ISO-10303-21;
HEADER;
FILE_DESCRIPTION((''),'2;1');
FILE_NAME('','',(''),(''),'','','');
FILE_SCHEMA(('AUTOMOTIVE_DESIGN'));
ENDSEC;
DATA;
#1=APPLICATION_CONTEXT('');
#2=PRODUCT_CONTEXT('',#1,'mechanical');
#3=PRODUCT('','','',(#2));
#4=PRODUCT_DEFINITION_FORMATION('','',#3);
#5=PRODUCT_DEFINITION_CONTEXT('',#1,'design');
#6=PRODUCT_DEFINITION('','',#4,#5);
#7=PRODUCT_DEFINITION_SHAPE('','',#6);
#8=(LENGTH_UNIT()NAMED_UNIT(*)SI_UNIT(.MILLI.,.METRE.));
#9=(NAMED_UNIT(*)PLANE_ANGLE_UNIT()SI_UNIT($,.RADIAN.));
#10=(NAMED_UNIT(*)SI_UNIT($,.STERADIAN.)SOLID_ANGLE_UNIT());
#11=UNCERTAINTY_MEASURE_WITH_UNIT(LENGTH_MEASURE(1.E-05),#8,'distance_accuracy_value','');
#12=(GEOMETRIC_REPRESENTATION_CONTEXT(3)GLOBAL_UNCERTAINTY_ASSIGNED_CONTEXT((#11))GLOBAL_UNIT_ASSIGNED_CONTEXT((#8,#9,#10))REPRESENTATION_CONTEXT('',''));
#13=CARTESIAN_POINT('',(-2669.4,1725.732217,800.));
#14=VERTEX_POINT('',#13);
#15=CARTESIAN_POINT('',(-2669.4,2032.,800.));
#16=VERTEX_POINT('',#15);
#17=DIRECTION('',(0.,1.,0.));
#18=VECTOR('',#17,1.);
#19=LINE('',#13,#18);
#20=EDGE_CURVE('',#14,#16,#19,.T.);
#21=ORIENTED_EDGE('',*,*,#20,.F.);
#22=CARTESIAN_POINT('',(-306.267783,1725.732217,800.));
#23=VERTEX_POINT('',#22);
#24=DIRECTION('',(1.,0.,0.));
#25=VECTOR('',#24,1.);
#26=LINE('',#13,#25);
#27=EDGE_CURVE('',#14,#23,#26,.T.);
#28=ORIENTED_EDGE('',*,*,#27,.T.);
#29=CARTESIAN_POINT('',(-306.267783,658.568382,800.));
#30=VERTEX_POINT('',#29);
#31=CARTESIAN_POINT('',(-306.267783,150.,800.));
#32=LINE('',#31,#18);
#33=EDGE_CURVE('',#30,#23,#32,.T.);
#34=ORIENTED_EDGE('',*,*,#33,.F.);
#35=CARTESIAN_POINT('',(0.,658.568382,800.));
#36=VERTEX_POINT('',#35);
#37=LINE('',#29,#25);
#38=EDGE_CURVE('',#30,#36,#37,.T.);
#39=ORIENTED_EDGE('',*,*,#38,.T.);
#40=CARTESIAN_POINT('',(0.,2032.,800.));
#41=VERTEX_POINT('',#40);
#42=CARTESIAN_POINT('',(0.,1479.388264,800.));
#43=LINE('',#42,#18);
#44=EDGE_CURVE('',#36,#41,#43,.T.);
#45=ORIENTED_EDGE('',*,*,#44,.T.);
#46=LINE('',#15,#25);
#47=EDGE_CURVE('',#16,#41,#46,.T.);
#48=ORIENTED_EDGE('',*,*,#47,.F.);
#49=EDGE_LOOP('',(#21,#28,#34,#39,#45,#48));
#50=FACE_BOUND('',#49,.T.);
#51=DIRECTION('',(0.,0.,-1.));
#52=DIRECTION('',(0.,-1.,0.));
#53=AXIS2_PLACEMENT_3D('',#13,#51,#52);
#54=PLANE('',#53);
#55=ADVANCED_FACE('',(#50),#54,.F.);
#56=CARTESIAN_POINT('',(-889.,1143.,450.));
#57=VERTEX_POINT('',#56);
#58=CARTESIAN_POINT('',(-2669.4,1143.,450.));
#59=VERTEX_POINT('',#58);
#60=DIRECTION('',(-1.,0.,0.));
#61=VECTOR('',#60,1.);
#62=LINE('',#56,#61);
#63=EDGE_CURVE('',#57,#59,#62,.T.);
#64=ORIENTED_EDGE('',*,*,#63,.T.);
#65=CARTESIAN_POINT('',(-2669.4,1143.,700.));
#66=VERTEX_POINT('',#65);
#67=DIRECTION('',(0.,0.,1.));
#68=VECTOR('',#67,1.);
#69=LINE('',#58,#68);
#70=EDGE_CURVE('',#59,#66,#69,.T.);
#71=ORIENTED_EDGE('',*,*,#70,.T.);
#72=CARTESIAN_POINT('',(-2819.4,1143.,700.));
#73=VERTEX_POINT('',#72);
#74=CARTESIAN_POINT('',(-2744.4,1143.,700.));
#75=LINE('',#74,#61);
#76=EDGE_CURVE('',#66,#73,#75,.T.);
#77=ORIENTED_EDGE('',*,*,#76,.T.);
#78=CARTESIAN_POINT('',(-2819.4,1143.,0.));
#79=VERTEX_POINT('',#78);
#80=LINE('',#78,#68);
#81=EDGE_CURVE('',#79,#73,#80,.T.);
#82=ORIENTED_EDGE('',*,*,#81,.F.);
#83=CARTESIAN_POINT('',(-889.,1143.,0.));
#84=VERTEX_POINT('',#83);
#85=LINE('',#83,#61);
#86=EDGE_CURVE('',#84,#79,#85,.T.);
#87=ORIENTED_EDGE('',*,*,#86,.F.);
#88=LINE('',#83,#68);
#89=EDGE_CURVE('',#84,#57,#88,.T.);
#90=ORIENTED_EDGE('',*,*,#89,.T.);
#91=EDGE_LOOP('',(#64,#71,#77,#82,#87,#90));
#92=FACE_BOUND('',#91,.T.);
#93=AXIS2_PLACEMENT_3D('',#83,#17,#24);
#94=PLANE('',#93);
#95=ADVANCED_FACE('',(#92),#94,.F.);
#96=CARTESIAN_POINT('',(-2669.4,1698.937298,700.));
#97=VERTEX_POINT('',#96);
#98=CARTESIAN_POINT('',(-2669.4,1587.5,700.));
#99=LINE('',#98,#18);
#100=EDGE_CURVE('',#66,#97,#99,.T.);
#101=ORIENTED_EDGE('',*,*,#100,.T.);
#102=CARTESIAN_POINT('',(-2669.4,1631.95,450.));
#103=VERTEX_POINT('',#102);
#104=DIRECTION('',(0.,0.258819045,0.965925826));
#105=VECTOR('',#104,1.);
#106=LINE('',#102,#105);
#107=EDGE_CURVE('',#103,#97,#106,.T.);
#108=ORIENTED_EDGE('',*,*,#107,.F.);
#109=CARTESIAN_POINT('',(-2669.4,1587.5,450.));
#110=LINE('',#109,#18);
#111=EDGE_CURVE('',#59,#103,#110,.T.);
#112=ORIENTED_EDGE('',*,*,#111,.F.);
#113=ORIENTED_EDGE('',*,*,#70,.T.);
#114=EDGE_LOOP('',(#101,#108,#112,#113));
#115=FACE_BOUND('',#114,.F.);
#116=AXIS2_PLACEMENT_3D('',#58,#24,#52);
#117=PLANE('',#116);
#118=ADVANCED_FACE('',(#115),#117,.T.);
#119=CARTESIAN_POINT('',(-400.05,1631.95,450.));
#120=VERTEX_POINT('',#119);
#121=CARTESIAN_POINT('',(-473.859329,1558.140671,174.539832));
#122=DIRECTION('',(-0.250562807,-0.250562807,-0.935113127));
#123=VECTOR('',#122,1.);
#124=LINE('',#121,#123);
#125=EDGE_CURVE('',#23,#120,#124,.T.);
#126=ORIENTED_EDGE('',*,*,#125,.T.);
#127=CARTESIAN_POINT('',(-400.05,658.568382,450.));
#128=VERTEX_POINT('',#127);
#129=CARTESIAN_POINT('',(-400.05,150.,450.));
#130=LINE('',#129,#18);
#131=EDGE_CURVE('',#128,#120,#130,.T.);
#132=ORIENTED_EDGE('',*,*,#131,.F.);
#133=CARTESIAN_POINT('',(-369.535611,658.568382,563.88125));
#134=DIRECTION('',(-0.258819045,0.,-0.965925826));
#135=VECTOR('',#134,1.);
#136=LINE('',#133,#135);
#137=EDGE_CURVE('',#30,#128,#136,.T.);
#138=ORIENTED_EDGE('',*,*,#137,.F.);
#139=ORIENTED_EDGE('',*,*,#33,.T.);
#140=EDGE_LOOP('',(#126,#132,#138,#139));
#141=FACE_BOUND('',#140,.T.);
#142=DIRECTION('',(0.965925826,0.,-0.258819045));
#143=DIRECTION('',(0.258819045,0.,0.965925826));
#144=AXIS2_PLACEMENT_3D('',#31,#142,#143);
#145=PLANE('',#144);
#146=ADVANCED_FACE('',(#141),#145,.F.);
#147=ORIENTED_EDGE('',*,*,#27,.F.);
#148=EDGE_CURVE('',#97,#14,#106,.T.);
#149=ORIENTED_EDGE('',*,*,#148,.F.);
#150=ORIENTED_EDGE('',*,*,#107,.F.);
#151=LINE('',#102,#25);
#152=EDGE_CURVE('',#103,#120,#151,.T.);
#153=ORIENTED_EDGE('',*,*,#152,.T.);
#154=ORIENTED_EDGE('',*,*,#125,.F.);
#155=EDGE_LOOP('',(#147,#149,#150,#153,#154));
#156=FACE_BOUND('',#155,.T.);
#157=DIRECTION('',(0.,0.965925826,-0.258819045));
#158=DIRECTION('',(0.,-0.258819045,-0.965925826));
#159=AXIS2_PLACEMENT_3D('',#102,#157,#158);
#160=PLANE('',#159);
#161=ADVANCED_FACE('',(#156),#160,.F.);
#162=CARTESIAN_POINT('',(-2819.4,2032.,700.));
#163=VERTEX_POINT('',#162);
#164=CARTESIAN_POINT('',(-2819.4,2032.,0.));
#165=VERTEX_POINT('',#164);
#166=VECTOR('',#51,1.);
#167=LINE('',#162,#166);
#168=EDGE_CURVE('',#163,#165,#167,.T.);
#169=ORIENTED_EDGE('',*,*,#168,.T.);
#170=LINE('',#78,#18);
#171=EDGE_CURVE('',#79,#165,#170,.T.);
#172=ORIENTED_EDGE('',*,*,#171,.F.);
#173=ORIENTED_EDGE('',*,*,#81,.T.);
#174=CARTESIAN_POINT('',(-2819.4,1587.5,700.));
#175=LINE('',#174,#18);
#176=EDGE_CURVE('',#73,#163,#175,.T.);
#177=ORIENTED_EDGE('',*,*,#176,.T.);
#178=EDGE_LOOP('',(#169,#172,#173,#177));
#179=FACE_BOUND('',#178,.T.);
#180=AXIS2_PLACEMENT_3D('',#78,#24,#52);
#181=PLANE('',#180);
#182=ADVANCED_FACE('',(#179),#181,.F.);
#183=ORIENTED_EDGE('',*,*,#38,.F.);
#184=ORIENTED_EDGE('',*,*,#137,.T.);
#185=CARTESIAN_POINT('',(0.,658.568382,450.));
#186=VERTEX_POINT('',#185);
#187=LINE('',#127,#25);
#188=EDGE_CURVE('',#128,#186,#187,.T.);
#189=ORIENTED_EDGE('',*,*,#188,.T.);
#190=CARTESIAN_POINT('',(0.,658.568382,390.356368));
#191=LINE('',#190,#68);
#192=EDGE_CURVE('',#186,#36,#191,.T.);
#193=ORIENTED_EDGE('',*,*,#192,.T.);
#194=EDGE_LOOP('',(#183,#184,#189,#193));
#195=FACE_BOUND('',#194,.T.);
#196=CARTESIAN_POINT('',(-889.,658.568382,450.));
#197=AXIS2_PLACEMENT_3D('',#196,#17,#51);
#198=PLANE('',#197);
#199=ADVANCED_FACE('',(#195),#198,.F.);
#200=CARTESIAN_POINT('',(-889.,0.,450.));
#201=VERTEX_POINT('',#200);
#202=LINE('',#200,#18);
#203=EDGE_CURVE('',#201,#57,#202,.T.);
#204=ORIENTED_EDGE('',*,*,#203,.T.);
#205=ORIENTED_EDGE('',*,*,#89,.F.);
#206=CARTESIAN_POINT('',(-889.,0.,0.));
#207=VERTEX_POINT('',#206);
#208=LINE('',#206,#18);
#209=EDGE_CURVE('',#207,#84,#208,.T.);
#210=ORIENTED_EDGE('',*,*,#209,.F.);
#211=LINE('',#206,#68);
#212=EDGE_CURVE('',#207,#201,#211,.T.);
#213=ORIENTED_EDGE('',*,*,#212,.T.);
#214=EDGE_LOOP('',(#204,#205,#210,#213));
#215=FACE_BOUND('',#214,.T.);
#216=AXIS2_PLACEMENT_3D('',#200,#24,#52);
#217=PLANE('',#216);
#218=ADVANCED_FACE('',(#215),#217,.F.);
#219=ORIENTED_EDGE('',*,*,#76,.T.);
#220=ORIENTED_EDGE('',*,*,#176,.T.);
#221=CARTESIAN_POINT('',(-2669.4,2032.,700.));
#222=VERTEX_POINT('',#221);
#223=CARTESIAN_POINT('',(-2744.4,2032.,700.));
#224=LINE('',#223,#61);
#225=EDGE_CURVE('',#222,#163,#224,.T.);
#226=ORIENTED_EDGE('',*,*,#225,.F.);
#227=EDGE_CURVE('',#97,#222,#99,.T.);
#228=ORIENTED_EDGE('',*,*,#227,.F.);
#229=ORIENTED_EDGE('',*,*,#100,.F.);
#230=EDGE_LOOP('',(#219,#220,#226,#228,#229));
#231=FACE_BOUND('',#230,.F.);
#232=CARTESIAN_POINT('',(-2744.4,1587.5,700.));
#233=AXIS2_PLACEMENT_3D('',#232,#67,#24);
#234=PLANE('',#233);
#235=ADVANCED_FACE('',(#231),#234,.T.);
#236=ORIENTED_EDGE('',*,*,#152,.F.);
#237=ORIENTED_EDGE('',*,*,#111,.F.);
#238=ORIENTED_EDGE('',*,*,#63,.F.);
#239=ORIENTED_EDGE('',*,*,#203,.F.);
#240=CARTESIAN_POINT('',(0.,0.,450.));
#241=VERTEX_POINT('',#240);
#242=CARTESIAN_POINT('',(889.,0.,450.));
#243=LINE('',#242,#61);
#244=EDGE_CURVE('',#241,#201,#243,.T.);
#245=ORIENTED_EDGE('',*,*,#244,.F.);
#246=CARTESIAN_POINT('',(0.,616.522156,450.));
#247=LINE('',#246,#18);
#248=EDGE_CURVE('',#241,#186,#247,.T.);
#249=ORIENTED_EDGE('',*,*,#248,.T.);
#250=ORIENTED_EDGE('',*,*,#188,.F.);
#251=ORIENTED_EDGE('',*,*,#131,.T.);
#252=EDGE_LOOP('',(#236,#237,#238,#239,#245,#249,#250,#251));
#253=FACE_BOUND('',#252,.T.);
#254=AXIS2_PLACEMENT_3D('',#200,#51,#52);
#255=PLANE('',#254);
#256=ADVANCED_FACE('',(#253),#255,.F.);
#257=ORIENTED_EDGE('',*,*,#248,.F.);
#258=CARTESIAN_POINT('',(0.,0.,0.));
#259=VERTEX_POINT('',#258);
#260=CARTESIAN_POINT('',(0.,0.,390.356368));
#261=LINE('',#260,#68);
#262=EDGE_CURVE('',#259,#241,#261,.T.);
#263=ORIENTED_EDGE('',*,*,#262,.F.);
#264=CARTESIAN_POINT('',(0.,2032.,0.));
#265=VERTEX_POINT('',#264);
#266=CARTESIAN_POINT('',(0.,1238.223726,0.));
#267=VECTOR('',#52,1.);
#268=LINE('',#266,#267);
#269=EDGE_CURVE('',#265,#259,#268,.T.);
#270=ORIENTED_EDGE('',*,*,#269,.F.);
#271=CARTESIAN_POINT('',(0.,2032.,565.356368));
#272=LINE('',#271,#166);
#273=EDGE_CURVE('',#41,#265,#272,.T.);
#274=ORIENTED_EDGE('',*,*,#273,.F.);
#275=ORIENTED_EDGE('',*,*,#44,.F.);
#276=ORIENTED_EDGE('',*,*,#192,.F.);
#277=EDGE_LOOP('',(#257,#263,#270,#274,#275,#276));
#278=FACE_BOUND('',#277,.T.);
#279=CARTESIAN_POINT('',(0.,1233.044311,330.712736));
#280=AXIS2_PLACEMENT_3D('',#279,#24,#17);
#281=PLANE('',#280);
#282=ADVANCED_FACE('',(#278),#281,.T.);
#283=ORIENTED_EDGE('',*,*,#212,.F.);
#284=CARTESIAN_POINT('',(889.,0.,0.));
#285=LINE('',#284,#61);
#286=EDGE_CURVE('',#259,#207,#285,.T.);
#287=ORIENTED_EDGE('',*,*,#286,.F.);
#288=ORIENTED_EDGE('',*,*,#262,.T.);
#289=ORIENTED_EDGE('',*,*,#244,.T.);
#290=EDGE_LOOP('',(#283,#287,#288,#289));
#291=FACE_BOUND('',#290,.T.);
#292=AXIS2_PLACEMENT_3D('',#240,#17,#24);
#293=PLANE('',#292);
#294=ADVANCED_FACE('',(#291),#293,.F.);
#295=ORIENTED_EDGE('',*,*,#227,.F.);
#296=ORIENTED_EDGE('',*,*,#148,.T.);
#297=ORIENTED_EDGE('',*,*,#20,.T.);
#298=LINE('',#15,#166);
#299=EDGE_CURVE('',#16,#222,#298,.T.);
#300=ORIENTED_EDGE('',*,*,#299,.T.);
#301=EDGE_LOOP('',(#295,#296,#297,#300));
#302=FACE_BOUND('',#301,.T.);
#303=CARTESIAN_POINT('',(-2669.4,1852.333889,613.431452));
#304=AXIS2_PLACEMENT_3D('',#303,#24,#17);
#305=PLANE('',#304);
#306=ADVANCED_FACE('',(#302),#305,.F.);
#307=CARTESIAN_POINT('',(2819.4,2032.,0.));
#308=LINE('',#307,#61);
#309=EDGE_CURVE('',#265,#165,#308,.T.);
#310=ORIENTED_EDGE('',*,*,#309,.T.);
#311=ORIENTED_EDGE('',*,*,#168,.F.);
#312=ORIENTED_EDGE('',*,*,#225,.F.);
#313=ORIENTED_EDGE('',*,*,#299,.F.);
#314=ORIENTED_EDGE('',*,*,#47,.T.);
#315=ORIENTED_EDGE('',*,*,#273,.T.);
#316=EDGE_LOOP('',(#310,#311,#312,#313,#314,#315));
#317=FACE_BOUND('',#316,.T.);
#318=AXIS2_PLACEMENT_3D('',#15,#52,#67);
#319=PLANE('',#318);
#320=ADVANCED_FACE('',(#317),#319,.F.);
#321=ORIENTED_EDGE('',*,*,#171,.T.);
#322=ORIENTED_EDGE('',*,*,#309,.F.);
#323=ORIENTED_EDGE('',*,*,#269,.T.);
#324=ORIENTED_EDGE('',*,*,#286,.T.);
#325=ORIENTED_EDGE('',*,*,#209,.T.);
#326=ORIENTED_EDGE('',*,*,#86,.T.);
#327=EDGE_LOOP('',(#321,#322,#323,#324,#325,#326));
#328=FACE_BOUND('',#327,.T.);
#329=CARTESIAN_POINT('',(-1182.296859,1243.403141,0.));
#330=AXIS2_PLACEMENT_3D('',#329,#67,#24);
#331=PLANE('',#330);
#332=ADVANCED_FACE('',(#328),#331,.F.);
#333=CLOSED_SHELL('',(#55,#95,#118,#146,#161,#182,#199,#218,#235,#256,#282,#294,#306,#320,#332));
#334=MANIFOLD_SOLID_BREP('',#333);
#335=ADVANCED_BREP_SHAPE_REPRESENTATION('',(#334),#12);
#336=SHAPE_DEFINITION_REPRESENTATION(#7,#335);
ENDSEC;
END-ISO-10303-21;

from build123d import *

# Parameters (mm, degrees)
F1_DEPTH  = 450
F2_W      = 889
F2_H      = 150
F2_W_2    = 150
F2_H_2    = 889
F3_DEPTH  = 250
F5_DEPTH  = 1882
F8_W      = 658.5683822632
F8_H      = 350
F9_DEPTH  = 889.001
F11_W     = 3085.2428972721
F11_H     = 1244.7776794434
F12_DEPTH = 2819.401


with BuildPart() as f1:
    # F0 (on Top) → F1 (new body)
    with BuildSketch(Plane.XY):
        Polygon((0, 2032), (0, 0), (889, 0), (889, 1143), (2819.4, 1143), (2819.4, 2032), align=None)
    extrude(amount=F1_DEPTH)

    # F2 (on face) → F3 (join)
    with BuildSketch(Plane.XY.offset(450)):
        with Locations((444.5, 75)):
            Rectangle(F2_W, F2_H)
        with Locations((2744.4, 1587.5)):
            Rectangle(F2_W_2, F2_H_2)
    extrude(amount=F3_DEPTH)

    # F4 (on face) → F5 (join, through all)
    with BuildSketch(Plane(origin=(0, 150, 0), x_dir=(-1, 0, 0), z_dir=(0, 1, 0))):
        Polygon((-400.05, 450), (0, 450), (0, 800), (-306.2677826491, 800), align=None)
    extrude(amount=F5_DEPTH)

    # F6 (on face) → F7 (join, up to the next surface of F1)
    with BuildSketch(Plane(origin=(2669.4, 0, 0), x_dir=(0, -1, 0), z_dir=(-1, 0, 0))):
        Polygon((-2032, 800), (-2032, 450), (-1631.95, 450), (-1725.7322173509, 800), align=None)
    extrude(until=Until.NEXT)

    # F8 (on face) → F9 (cut, through all)
    with BuildSketch(Plane.YZ.offset(889)):
        with Locations((329.2841911316, 625)):
            Rectangle(F8_W, F8_H)
    extrude(amount=-F9_DEPTH, mode=Mode.SUBTRACT)

    # F10: F1 across plane


with BuildPart() as f1_1:
    add(f1.part)
    add(f1.part.mirror(Plane.YZ))

    # F11 (on Right) → F12 (cut, through all)
    with BuildSketch(Plane.YZ):
        with Locations((1233.0443114042, 330.7127356529)):
            Rectangle(F11_W, F11_H)
    extrude(amount=F12_DEPTH, mode=Mode.SUBTRACT)


solid = f1_1.part
